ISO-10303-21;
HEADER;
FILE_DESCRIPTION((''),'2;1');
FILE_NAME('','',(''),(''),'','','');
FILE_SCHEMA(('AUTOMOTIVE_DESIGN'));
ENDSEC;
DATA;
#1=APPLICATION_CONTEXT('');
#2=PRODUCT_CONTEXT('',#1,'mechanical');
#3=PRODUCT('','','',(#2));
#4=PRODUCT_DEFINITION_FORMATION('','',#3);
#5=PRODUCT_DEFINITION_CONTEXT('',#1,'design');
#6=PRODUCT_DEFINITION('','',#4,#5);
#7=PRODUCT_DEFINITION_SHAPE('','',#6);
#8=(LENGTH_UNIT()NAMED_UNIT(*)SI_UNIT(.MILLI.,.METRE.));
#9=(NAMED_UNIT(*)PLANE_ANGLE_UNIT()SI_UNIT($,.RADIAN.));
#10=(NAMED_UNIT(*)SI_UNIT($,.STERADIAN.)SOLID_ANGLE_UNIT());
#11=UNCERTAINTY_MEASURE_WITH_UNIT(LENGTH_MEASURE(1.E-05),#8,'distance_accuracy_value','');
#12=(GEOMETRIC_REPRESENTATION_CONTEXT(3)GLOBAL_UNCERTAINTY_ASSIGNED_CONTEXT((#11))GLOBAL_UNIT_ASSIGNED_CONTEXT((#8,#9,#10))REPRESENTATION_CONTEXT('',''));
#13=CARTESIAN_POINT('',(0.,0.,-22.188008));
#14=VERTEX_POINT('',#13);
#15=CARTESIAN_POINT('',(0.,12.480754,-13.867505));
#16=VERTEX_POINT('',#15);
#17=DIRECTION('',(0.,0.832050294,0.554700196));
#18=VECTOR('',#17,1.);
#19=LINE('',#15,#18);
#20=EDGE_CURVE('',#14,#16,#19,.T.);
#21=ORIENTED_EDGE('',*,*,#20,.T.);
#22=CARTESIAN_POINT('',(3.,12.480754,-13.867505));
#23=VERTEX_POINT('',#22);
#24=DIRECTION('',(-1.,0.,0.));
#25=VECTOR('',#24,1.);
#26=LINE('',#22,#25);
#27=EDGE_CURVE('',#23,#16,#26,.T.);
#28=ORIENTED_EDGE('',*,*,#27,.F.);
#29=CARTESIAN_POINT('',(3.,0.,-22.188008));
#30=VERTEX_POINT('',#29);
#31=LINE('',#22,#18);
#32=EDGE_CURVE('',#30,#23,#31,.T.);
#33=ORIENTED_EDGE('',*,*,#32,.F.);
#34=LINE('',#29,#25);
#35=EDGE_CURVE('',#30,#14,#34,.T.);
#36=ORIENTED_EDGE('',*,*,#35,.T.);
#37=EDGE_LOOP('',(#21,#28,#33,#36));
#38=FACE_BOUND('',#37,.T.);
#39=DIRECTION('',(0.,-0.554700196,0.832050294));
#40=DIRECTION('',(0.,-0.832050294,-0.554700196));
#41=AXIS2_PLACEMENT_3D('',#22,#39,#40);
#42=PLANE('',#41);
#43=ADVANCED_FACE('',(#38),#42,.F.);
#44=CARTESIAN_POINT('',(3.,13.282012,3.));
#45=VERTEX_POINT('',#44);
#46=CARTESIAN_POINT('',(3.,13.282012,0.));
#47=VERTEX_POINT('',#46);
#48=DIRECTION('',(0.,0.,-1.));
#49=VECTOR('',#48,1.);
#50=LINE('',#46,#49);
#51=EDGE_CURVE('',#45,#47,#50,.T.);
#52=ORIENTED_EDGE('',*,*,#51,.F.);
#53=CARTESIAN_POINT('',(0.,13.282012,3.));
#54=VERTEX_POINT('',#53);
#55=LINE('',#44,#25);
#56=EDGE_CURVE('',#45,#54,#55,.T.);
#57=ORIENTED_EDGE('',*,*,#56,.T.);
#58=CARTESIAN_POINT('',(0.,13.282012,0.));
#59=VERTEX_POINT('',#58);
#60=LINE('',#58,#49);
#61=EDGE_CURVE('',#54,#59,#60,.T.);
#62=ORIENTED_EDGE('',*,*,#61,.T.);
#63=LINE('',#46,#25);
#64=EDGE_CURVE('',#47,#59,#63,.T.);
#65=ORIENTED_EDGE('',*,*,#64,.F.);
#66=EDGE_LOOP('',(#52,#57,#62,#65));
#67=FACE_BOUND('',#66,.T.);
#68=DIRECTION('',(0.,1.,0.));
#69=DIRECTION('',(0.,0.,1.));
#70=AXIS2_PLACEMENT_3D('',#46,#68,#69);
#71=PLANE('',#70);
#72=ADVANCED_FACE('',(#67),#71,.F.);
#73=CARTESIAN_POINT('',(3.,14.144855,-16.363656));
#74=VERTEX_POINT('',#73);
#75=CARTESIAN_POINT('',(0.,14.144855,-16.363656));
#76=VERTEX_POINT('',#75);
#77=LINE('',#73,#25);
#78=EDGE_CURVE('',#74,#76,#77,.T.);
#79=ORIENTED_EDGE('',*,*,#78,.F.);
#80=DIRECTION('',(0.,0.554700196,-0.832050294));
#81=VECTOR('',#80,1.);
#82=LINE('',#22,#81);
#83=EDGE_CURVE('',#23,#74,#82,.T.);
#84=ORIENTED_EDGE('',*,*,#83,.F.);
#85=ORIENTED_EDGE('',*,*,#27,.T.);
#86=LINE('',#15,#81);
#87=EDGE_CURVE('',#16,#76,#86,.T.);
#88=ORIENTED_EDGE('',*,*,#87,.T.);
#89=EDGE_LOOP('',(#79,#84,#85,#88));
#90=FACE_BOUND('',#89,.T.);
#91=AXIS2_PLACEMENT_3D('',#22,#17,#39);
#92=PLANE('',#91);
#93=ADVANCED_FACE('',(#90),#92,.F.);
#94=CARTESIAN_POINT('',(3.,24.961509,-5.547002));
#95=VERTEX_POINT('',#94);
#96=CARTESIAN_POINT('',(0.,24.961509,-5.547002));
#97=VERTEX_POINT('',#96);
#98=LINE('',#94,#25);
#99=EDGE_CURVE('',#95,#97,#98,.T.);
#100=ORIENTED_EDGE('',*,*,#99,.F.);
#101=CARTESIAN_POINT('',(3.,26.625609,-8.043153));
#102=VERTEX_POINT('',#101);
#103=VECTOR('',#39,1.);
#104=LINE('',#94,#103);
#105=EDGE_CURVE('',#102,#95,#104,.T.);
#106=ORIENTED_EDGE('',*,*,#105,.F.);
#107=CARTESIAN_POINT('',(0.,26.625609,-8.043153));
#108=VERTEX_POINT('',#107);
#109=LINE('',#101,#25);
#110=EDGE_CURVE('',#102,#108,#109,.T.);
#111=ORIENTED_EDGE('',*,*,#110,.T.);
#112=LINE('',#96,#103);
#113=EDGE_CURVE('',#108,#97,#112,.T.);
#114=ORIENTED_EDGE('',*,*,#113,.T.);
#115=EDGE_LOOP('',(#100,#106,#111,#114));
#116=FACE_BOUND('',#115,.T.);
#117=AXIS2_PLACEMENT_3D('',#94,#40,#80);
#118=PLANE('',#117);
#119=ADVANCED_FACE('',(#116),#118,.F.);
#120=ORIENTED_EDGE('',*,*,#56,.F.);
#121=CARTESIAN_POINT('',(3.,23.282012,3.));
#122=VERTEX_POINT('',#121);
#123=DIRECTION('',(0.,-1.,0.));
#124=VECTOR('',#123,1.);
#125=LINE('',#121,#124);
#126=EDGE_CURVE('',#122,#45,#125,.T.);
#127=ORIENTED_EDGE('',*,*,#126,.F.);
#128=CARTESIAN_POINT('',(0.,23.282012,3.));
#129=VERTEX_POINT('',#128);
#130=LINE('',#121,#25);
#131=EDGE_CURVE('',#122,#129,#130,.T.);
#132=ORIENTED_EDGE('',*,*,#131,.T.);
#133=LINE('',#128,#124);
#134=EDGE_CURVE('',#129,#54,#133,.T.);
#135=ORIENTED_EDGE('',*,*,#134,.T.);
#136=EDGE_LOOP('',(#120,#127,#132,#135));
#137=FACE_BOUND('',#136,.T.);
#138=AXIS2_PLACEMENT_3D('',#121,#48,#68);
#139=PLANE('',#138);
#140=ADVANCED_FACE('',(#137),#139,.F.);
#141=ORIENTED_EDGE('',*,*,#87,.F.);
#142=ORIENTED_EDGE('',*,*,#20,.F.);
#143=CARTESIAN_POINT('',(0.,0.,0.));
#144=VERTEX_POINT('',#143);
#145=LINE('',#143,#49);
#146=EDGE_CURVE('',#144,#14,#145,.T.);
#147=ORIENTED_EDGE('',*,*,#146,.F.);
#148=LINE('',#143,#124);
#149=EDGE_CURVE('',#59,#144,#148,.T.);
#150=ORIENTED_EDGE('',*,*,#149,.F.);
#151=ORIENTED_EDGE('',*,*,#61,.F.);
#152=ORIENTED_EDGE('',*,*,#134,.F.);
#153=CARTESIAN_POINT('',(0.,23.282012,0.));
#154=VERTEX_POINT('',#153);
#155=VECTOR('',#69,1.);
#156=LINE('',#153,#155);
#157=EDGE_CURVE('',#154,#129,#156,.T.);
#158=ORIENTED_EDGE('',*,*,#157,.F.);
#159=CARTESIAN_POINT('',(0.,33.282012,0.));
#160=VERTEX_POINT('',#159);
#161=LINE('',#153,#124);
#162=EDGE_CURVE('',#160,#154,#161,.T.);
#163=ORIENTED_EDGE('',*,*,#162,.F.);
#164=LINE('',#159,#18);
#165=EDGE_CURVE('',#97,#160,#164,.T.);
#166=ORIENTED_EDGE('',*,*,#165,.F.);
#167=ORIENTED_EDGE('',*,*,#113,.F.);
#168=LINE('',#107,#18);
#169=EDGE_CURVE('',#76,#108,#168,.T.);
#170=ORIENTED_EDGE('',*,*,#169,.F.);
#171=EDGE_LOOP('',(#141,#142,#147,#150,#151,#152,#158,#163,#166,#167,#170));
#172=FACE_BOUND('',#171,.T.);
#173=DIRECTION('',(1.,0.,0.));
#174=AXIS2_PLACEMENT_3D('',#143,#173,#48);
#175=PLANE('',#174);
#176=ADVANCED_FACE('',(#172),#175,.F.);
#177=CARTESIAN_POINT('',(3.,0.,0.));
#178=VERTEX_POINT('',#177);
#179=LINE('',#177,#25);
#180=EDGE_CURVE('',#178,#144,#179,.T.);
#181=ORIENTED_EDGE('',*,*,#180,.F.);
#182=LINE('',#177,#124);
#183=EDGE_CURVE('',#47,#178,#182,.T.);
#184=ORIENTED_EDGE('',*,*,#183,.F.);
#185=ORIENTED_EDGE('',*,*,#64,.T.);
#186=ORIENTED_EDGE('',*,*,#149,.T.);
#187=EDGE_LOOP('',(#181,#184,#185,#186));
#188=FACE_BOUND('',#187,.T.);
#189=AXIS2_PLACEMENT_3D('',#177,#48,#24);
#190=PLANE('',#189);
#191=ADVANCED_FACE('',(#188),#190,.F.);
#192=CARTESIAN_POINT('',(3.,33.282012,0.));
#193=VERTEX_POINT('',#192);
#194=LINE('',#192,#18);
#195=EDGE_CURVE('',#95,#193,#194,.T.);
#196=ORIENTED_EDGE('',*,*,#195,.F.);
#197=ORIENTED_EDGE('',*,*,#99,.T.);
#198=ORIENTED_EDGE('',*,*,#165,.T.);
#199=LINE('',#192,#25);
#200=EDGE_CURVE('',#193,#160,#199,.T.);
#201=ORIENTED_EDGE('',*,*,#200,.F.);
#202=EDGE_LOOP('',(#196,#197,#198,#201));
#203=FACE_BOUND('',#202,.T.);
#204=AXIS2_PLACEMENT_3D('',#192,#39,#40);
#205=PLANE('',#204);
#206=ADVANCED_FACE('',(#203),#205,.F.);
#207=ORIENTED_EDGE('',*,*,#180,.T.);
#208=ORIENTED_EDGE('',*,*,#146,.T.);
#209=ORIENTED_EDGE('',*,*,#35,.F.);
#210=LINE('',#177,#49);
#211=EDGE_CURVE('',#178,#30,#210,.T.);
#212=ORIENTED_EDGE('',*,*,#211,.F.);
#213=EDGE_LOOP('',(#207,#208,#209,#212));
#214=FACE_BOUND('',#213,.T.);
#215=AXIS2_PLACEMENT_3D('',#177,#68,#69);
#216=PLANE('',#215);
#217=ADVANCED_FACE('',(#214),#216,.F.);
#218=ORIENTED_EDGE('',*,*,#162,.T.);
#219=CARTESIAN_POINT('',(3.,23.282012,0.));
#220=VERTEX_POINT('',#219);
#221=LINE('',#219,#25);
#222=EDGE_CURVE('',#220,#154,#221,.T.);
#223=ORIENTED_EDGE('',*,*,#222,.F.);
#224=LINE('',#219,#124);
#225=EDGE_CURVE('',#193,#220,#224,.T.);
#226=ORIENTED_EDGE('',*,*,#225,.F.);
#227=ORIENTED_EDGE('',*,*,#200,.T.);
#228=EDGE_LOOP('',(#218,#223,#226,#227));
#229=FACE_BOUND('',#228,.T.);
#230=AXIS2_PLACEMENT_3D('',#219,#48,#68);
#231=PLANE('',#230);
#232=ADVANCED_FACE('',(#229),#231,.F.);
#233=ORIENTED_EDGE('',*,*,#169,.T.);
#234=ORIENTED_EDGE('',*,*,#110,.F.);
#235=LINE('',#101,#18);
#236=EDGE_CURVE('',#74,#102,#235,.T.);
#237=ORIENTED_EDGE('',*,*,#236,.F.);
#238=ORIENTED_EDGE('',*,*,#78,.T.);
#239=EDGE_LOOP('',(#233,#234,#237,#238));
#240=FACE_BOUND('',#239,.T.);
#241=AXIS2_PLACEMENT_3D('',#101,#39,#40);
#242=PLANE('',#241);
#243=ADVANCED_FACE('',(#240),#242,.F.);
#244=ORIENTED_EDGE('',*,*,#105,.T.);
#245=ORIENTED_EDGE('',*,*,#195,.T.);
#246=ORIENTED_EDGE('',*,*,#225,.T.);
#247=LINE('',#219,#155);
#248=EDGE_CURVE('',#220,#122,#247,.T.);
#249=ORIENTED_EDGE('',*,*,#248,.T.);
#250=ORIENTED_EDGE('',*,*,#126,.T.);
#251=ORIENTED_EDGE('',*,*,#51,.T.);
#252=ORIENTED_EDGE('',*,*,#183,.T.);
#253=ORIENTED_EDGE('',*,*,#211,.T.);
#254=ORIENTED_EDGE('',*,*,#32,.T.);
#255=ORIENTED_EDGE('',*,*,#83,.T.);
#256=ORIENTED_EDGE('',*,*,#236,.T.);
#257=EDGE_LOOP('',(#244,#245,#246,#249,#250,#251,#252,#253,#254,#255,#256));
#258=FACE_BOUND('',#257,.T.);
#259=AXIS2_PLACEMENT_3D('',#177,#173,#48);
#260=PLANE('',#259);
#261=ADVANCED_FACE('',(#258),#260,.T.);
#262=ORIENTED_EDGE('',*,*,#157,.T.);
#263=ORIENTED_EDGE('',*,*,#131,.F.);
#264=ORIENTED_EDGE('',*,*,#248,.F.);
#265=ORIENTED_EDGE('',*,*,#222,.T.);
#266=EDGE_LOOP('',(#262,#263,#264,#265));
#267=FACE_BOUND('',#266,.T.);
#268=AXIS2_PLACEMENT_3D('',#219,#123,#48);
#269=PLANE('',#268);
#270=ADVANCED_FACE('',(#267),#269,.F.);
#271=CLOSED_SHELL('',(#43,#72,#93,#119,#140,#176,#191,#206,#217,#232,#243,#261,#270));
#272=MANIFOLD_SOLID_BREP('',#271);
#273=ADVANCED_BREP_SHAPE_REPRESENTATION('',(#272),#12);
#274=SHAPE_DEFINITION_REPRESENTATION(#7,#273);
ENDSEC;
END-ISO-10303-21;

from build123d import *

# Parameters (mm, degrees)
BOSS_EXTRUDE1_DEPTH = 3


with BuildPart() as part:
    # Sketch1 → Boss-Extrude1 (new body)
    with BuildSketch(Plane(origin=(0, 0, 0), x_dir=(0, 0, -1), z_dir=(1, 0, 0))):
        Polygon((0, 33.282011772), (5.547001963, 24.961508829), (8.043152846, 26.625609418), (16.36365579, 14.144855003), (13.867504907, 12.480754414), (22.188007851, 0), (0, 0), (0, 13.282011772), (-3, 13.282011772), (-3, 23.282011772), (0, 23.282011772), align=None)
    extrude(amount=BOSS_EXTRUDE1_DEPTH)


solid = part.part
